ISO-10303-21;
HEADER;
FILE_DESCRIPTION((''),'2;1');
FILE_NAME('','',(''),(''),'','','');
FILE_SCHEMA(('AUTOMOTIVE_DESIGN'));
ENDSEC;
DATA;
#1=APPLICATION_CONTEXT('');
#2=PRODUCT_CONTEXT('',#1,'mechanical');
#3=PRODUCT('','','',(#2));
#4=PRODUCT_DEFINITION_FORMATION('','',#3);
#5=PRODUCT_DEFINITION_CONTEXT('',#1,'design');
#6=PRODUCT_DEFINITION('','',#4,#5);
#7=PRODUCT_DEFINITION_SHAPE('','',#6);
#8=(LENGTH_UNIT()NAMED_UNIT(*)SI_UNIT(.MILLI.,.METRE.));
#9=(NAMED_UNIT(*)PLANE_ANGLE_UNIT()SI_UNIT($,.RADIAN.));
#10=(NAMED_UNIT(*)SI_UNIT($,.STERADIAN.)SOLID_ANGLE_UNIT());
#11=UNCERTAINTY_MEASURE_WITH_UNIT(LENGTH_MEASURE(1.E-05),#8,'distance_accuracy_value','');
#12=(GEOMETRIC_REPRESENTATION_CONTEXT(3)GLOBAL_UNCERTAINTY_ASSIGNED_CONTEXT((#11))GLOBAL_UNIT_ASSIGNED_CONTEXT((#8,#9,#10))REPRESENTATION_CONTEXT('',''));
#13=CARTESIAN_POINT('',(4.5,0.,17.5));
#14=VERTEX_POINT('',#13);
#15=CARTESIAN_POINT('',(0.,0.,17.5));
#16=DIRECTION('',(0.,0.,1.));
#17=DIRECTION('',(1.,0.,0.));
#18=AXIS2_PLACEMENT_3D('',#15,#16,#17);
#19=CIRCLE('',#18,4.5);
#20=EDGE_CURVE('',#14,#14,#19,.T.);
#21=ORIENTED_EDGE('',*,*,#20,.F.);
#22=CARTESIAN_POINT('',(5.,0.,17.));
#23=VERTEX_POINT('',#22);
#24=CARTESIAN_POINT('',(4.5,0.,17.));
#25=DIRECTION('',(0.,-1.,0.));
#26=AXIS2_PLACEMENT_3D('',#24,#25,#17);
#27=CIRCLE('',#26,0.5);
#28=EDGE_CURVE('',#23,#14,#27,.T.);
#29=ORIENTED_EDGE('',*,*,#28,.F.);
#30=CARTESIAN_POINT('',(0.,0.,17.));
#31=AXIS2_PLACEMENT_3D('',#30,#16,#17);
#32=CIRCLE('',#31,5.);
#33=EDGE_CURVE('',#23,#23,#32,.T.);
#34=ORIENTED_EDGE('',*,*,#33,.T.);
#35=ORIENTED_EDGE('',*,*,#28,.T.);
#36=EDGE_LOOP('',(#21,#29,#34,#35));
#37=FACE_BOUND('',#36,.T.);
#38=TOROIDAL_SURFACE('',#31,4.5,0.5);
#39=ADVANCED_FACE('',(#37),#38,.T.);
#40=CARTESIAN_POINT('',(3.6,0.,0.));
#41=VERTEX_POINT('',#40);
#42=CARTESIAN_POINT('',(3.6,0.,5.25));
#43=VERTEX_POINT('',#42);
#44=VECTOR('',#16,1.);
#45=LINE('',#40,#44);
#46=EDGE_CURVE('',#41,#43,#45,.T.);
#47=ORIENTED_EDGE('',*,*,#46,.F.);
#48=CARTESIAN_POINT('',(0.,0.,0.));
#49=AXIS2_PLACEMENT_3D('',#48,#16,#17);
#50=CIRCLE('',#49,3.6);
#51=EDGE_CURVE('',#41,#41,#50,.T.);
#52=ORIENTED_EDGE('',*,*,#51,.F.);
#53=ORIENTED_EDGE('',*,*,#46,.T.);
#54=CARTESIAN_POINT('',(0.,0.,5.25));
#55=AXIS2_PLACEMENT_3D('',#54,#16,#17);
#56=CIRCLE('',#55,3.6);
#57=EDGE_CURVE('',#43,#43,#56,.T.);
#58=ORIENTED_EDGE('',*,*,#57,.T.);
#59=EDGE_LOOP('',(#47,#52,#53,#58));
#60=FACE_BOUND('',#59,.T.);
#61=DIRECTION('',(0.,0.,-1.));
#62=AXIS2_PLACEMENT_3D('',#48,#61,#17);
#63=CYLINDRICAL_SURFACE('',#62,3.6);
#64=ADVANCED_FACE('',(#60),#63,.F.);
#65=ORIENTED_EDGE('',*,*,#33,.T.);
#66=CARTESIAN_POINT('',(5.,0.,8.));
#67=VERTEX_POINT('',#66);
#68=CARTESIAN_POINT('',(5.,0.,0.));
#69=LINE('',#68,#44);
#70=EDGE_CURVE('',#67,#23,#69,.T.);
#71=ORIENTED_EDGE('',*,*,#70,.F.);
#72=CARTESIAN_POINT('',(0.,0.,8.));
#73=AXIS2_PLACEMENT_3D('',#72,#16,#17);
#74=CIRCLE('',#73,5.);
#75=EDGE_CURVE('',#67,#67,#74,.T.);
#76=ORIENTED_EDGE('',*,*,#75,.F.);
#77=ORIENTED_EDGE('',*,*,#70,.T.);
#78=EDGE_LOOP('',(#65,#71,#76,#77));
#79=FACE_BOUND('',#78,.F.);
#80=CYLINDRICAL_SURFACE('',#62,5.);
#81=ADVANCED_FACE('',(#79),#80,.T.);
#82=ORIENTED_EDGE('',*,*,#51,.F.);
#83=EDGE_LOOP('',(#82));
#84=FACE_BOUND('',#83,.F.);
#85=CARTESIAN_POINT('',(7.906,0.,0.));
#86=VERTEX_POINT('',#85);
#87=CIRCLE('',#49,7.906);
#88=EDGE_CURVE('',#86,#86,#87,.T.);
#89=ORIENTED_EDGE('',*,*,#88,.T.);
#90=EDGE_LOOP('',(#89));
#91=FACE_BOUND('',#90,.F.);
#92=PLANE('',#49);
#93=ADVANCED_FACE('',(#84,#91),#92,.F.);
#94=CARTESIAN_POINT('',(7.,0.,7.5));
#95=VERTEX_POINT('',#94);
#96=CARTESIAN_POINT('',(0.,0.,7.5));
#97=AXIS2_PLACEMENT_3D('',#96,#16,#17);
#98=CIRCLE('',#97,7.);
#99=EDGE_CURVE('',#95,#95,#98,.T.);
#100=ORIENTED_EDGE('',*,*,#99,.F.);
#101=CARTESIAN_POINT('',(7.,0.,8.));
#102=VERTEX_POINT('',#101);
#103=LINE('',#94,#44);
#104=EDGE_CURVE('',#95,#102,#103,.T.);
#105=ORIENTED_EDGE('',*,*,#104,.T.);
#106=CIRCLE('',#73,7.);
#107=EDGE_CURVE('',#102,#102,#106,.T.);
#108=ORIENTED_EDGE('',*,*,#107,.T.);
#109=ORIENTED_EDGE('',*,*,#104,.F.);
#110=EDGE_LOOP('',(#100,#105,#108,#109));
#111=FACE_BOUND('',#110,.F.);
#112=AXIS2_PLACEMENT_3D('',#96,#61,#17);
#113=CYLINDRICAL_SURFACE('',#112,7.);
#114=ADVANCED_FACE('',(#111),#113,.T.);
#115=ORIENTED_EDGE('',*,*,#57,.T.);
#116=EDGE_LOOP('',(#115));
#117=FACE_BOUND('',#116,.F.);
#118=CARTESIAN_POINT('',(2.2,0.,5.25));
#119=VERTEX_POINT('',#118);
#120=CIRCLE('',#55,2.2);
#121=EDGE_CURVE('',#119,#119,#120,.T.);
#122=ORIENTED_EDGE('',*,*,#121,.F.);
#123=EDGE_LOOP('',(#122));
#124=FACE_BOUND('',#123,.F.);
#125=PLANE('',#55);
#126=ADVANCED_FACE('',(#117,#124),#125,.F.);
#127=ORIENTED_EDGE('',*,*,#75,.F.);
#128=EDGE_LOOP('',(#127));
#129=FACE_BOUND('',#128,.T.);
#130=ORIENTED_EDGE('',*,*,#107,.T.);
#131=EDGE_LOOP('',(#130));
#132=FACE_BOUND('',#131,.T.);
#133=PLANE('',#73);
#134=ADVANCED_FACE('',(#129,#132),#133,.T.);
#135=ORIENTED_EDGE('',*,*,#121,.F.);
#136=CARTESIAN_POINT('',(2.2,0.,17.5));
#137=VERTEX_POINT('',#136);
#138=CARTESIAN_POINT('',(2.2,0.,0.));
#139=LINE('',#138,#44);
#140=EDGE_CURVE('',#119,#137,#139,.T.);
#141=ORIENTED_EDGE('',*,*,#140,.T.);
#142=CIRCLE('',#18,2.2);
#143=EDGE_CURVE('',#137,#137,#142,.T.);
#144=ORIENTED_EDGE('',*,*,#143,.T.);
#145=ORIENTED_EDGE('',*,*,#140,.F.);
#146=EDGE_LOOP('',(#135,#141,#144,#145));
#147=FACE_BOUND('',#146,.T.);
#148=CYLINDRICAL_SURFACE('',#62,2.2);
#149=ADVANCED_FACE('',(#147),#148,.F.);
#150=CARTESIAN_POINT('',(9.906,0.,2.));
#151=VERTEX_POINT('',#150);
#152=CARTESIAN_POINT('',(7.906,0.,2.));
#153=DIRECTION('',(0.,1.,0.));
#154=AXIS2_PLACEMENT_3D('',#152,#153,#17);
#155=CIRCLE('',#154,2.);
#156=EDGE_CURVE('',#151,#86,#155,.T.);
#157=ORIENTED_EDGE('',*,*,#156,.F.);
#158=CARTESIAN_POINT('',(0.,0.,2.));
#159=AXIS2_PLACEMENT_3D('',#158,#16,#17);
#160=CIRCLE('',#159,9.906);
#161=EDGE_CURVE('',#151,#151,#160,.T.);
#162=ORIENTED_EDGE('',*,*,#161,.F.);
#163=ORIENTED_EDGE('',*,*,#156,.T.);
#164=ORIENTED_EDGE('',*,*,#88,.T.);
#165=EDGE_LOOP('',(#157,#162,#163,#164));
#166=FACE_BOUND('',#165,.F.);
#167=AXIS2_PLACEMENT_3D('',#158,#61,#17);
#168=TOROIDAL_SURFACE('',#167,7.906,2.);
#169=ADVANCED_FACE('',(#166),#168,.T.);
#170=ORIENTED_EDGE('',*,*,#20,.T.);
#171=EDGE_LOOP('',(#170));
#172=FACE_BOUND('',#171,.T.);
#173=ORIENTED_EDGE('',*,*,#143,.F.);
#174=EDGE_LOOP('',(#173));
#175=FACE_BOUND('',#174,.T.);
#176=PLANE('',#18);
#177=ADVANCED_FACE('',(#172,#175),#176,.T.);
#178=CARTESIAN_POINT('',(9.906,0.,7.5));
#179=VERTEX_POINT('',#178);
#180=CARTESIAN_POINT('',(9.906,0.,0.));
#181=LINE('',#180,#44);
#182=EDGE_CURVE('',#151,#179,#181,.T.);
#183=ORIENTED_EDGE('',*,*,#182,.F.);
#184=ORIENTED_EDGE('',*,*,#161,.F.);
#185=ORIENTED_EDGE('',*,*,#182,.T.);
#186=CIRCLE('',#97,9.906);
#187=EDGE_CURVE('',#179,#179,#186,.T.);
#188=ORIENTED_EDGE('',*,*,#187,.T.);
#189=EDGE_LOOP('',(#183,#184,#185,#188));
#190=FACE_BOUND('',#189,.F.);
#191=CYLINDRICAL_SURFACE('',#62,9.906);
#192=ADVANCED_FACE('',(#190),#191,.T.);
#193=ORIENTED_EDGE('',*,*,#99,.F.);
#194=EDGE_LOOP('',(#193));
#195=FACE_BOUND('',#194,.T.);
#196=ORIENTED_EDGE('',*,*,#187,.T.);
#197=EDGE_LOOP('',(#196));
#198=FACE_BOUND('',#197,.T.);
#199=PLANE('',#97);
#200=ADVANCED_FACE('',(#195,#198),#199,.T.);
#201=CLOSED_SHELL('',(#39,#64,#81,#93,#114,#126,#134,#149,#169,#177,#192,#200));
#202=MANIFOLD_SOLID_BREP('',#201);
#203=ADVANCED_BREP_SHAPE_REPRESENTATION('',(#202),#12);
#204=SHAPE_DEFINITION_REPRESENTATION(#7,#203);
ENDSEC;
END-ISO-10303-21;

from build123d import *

# Parameters (mm, degrees)
F0_R     = 5
F0_R_2   = 3.6
F0_R_3   = 2.2
F1_DEPTH = 17.5
F0_R_4   = 9.906
F2_DEPTH = 7.5
F3_DEPTH = 5.25
F4_R     = 2
F5_R     = 0.5
F6_R     = 7
F6_R_2   = 5
F7_DEPTH = 0.5


with BuildPart() as f1:
    # F0 (on Top) → F1 (new body)
    with BuildSketch(Plane.XY):
        Circle(F0_R)
        Circle(F0_R_2, mode=Mode.SUBTRACT)
        Circle(F0_R_2)
        Circle(F0_R_3, mode=Mode.SUBTRACT)
    extrude(amount=F1_DEPTH)

    # F0 (on Top) → F2 (join)
    with BuildSketch(Plane.XY):
        Circle(F0_R_4)
        Circle(F0_R, mode=Mode.SUBTRACT)
    extrude(amount=F2_DEPTH)

    # F0 (on Top) → F3 (cut)
    with BuildSketch(Plane.XY):
        Circle(F0_R_2)
        Circle(F0_R_3, mode=Mode.SUBTRACT)
    extrude(amount=F3_DEPTH, mode=Mode.SUBTRACT)

    # F4
    f4_edges = [f1.edges().sort_by_distance(p)[0] for p in [
        (-9.906, 0, 0),
    ]]
    fillet(f4_edges, radius=F4_R)

    # F5
    f5_edges = [f1.edges().sort_by_distance(p)[0] for p in [
        (-5, 0, 17.5),
    ]]
    fillet(f5_edges, radius=F5_R)

    # F6 (on face) → F7 (join)
    with BuildSketch(Plane.XY.offset(7.5)):
        Circle(F6_R)
        Circle(F6_R_2, mode=Mode.SUBTRACT)
    extrude(amount=F7_DEPTH)


solid = f1.part
